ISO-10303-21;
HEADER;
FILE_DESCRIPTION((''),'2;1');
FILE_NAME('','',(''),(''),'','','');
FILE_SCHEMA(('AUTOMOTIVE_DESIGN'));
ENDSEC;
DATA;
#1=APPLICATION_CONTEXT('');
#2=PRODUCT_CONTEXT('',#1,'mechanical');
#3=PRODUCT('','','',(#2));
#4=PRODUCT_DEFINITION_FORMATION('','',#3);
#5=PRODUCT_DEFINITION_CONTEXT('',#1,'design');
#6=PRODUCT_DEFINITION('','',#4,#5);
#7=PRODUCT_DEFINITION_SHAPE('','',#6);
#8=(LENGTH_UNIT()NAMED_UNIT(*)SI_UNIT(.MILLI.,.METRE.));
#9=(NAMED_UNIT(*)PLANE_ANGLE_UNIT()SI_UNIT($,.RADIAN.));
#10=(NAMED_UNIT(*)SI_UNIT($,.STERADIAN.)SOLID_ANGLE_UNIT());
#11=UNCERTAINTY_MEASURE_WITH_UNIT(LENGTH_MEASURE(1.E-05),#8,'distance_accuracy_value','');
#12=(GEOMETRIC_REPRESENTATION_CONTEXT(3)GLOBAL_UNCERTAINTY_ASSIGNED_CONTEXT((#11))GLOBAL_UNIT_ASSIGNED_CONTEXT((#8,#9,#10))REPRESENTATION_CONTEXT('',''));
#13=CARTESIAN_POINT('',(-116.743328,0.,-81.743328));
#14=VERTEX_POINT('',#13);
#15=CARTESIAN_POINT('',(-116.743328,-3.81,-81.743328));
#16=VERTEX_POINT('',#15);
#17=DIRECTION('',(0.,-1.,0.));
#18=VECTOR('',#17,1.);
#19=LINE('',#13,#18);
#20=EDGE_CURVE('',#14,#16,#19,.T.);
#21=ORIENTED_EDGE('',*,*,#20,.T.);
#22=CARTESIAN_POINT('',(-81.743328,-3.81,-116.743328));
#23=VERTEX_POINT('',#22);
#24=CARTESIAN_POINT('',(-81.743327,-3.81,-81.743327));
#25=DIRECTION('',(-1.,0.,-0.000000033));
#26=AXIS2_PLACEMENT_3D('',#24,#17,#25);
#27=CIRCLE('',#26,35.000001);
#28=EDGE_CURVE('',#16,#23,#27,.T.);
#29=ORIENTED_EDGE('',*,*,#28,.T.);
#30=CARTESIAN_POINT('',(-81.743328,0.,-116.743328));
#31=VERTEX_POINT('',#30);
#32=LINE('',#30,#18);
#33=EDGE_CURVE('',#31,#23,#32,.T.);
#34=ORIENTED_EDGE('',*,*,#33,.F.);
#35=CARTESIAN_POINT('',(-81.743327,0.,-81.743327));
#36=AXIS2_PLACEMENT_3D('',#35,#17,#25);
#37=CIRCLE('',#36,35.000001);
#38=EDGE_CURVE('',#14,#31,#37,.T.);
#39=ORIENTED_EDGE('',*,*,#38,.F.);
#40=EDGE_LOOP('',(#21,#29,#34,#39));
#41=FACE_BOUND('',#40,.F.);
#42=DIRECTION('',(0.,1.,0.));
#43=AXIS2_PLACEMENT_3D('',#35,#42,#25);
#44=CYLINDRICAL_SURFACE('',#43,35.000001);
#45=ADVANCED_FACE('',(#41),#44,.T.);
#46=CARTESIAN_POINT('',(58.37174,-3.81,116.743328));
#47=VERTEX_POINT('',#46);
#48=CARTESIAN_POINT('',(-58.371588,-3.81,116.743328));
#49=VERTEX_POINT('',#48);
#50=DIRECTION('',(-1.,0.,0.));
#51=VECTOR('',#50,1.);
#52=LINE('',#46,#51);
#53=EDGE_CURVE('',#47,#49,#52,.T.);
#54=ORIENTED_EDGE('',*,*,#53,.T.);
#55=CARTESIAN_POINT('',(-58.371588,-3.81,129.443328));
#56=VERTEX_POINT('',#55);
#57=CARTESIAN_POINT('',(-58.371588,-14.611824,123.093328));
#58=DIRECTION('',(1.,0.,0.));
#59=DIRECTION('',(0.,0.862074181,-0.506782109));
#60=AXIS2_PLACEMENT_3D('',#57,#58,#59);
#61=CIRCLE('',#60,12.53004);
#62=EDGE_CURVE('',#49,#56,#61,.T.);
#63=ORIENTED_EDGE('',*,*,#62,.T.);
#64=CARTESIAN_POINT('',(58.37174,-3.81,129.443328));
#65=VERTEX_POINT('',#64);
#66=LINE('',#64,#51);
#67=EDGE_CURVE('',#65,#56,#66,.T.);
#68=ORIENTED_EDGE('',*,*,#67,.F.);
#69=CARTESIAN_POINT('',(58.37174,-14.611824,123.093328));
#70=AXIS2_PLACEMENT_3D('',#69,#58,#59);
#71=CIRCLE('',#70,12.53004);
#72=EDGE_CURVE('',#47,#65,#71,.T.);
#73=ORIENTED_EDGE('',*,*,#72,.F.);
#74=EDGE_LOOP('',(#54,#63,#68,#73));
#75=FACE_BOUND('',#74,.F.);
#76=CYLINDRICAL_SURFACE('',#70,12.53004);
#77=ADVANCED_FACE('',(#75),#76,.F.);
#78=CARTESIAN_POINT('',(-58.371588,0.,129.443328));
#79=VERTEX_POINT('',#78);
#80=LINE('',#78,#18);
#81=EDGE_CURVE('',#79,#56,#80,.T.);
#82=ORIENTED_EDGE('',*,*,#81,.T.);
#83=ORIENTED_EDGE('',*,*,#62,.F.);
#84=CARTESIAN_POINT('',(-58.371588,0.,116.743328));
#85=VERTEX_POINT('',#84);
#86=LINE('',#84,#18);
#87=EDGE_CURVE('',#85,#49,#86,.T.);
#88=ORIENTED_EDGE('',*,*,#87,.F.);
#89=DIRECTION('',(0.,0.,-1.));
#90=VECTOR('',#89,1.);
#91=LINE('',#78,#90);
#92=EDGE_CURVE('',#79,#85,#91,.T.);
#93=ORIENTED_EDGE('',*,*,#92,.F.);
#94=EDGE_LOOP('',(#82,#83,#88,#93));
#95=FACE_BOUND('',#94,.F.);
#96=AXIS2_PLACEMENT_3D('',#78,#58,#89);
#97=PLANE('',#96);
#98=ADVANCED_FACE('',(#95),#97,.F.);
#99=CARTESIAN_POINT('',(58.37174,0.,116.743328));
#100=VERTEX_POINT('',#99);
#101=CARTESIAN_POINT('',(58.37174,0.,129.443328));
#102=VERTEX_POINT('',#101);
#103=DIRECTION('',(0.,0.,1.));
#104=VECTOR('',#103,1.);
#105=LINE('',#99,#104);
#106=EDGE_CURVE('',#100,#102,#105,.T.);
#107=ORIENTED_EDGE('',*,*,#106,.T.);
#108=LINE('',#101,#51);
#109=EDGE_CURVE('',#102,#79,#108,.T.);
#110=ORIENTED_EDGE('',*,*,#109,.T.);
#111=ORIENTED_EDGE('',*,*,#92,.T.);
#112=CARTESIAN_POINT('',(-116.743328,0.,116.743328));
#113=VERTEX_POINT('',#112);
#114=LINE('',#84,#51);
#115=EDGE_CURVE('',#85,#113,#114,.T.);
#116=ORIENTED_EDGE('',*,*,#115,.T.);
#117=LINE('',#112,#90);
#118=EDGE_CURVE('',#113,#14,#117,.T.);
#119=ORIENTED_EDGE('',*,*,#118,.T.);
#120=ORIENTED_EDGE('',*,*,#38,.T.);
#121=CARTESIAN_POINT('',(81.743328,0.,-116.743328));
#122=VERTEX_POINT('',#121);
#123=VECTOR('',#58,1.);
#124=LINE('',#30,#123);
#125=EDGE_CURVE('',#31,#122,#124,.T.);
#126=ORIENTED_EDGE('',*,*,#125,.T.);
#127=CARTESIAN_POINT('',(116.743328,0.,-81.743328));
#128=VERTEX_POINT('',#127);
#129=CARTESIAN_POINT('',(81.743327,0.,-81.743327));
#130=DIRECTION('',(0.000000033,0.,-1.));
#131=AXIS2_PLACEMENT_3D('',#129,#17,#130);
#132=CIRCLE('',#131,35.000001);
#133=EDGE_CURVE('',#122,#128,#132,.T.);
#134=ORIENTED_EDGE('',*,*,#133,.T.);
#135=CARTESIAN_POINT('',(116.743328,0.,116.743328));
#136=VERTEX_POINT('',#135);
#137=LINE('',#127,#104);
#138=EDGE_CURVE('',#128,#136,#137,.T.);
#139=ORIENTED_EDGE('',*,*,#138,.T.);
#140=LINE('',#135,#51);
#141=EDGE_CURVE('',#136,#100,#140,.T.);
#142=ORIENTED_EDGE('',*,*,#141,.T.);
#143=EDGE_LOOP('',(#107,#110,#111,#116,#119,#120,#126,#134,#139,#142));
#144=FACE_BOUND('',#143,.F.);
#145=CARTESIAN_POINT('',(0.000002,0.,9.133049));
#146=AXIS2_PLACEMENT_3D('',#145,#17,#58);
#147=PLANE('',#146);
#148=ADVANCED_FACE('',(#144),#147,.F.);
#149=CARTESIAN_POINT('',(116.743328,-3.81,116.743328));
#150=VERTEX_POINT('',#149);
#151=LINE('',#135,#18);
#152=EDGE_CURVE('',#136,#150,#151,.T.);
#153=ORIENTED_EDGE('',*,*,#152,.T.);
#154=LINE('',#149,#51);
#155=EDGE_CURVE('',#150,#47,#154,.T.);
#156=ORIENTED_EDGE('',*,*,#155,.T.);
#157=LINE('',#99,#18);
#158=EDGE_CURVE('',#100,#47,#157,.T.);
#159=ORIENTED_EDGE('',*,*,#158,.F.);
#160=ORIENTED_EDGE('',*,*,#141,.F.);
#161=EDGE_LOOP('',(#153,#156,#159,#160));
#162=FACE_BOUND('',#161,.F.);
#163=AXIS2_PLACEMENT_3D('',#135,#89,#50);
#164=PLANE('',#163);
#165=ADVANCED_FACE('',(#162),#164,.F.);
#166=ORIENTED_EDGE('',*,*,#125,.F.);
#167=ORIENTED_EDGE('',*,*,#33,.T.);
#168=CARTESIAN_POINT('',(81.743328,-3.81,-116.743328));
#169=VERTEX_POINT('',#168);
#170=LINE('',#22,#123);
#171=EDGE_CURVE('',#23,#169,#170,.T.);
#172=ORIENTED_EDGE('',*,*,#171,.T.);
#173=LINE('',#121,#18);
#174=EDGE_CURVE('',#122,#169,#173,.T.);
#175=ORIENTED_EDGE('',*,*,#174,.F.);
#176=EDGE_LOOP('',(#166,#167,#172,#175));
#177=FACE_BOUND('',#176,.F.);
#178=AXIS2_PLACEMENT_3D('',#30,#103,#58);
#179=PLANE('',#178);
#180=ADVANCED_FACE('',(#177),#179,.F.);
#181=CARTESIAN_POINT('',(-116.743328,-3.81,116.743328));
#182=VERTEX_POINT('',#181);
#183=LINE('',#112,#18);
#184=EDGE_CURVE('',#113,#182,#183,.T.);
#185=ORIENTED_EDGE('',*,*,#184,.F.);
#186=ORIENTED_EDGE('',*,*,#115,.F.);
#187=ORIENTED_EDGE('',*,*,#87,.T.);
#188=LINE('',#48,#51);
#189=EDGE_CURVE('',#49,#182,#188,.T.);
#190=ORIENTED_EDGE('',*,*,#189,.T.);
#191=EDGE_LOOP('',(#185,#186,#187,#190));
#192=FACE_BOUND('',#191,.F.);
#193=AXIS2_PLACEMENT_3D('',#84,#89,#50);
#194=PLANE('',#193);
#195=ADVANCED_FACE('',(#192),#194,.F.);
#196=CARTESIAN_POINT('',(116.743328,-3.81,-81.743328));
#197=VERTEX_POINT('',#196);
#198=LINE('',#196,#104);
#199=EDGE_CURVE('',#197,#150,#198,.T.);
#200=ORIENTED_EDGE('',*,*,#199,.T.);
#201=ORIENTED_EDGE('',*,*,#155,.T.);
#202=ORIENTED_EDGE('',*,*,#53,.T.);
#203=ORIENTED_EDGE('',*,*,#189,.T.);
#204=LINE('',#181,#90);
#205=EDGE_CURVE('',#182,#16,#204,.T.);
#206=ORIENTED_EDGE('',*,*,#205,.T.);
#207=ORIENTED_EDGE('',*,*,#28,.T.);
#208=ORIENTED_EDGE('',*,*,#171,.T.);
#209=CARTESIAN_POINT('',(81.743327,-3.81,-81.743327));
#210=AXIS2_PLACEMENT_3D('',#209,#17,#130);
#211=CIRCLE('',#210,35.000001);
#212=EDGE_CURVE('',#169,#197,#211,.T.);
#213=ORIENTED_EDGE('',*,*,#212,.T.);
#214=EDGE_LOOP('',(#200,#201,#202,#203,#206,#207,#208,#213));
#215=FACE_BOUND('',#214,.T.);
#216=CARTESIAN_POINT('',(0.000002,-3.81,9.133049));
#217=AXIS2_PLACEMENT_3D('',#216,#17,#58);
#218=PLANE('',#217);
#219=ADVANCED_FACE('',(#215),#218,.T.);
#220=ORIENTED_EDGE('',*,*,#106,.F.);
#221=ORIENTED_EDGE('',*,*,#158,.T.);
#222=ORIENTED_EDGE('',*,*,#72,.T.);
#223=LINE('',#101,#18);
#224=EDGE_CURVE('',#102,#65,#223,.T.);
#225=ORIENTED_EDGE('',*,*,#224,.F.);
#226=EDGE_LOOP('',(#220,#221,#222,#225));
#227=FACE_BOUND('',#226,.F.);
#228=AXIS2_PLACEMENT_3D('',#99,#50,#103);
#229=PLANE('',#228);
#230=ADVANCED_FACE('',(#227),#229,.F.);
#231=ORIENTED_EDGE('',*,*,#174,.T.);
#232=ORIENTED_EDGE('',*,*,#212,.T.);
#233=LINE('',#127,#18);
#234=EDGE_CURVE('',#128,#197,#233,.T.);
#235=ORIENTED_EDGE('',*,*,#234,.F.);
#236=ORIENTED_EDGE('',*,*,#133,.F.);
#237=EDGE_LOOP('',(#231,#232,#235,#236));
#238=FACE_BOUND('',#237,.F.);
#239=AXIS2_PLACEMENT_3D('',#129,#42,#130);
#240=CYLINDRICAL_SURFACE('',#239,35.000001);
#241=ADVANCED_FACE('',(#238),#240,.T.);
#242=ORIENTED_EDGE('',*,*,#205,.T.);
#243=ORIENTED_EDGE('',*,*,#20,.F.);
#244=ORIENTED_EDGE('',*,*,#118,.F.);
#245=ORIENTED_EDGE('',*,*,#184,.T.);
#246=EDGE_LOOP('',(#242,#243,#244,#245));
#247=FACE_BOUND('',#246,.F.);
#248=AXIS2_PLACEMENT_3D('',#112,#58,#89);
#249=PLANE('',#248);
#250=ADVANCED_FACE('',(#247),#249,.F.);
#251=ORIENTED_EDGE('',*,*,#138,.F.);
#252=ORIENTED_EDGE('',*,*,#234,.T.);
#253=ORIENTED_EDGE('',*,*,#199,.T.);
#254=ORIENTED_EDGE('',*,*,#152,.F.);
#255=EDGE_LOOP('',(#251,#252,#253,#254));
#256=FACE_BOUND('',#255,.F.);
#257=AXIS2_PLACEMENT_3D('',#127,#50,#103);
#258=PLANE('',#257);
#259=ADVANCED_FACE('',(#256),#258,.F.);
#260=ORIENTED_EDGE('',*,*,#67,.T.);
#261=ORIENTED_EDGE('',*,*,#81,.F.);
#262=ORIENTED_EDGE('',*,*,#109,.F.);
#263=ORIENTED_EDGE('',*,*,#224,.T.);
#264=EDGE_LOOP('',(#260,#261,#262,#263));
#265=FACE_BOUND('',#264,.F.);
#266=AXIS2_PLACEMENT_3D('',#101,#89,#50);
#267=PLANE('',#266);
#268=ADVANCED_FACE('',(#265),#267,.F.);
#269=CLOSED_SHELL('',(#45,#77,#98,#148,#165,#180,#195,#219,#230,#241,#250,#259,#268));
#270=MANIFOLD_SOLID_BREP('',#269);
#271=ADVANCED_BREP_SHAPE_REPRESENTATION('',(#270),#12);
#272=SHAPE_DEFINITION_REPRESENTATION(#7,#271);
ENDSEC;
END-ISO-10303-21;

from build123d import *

# Parameters (mm, degrees)
F1_DEPTH = 3.81
F3_DEPTH = 359


with BuildPart() as f1:
    # F0 (on Front) → F1 (new body)
    with BuildSketch(Plane.XZ):
        with BuildLine():
            ThreePointArc((-116.743328, -81.743328), (-106.492065, -106.492065), (-81.743328, -116.743328))
            Line((-81.743328, -116.743328), (81.743328, -116.743328))
            ThreePointArc((81.743328, -116.743328), (106.492065, -106.492065), (116.743328, -81.743328))
            Line((116.743328, -81.743328), (116.743328, 116.743328))
            Line((116.743328, 116.743328), (58.37174, 116.743328))
            Line((58.37174, 116.743328), (58.37174, 129.443328))
            Line((58.37174, 129.443328), (-58.371588, 129.443328))
            Line((-58.371588, 129.443328), (-58.371588, 116.743328))
            Line((-58.371588, 116.743328), (-116.743328, 116.743328))
            Line((-116.743328, 116.743328), (-116.743328, -81.743328))
        make_face()
    extrude(amount=F1_DEPTH)

    # F2 (on face) → F3 (cut)
    with BuildSketch(Plane.YZ.offset(58.37174)):
        with BuildLine():
            Line((-3.81, 129.443328), (-3.81, 116.743328))
            ThreePointArc((-3.81, 116.743328), (-2.081784, 123.093328), (-3.81, 129.443328))
        make_face()
    extrude(amount=-F3_DEPTH, mode=Mode.SUBTRACT)


solid = f1.part
